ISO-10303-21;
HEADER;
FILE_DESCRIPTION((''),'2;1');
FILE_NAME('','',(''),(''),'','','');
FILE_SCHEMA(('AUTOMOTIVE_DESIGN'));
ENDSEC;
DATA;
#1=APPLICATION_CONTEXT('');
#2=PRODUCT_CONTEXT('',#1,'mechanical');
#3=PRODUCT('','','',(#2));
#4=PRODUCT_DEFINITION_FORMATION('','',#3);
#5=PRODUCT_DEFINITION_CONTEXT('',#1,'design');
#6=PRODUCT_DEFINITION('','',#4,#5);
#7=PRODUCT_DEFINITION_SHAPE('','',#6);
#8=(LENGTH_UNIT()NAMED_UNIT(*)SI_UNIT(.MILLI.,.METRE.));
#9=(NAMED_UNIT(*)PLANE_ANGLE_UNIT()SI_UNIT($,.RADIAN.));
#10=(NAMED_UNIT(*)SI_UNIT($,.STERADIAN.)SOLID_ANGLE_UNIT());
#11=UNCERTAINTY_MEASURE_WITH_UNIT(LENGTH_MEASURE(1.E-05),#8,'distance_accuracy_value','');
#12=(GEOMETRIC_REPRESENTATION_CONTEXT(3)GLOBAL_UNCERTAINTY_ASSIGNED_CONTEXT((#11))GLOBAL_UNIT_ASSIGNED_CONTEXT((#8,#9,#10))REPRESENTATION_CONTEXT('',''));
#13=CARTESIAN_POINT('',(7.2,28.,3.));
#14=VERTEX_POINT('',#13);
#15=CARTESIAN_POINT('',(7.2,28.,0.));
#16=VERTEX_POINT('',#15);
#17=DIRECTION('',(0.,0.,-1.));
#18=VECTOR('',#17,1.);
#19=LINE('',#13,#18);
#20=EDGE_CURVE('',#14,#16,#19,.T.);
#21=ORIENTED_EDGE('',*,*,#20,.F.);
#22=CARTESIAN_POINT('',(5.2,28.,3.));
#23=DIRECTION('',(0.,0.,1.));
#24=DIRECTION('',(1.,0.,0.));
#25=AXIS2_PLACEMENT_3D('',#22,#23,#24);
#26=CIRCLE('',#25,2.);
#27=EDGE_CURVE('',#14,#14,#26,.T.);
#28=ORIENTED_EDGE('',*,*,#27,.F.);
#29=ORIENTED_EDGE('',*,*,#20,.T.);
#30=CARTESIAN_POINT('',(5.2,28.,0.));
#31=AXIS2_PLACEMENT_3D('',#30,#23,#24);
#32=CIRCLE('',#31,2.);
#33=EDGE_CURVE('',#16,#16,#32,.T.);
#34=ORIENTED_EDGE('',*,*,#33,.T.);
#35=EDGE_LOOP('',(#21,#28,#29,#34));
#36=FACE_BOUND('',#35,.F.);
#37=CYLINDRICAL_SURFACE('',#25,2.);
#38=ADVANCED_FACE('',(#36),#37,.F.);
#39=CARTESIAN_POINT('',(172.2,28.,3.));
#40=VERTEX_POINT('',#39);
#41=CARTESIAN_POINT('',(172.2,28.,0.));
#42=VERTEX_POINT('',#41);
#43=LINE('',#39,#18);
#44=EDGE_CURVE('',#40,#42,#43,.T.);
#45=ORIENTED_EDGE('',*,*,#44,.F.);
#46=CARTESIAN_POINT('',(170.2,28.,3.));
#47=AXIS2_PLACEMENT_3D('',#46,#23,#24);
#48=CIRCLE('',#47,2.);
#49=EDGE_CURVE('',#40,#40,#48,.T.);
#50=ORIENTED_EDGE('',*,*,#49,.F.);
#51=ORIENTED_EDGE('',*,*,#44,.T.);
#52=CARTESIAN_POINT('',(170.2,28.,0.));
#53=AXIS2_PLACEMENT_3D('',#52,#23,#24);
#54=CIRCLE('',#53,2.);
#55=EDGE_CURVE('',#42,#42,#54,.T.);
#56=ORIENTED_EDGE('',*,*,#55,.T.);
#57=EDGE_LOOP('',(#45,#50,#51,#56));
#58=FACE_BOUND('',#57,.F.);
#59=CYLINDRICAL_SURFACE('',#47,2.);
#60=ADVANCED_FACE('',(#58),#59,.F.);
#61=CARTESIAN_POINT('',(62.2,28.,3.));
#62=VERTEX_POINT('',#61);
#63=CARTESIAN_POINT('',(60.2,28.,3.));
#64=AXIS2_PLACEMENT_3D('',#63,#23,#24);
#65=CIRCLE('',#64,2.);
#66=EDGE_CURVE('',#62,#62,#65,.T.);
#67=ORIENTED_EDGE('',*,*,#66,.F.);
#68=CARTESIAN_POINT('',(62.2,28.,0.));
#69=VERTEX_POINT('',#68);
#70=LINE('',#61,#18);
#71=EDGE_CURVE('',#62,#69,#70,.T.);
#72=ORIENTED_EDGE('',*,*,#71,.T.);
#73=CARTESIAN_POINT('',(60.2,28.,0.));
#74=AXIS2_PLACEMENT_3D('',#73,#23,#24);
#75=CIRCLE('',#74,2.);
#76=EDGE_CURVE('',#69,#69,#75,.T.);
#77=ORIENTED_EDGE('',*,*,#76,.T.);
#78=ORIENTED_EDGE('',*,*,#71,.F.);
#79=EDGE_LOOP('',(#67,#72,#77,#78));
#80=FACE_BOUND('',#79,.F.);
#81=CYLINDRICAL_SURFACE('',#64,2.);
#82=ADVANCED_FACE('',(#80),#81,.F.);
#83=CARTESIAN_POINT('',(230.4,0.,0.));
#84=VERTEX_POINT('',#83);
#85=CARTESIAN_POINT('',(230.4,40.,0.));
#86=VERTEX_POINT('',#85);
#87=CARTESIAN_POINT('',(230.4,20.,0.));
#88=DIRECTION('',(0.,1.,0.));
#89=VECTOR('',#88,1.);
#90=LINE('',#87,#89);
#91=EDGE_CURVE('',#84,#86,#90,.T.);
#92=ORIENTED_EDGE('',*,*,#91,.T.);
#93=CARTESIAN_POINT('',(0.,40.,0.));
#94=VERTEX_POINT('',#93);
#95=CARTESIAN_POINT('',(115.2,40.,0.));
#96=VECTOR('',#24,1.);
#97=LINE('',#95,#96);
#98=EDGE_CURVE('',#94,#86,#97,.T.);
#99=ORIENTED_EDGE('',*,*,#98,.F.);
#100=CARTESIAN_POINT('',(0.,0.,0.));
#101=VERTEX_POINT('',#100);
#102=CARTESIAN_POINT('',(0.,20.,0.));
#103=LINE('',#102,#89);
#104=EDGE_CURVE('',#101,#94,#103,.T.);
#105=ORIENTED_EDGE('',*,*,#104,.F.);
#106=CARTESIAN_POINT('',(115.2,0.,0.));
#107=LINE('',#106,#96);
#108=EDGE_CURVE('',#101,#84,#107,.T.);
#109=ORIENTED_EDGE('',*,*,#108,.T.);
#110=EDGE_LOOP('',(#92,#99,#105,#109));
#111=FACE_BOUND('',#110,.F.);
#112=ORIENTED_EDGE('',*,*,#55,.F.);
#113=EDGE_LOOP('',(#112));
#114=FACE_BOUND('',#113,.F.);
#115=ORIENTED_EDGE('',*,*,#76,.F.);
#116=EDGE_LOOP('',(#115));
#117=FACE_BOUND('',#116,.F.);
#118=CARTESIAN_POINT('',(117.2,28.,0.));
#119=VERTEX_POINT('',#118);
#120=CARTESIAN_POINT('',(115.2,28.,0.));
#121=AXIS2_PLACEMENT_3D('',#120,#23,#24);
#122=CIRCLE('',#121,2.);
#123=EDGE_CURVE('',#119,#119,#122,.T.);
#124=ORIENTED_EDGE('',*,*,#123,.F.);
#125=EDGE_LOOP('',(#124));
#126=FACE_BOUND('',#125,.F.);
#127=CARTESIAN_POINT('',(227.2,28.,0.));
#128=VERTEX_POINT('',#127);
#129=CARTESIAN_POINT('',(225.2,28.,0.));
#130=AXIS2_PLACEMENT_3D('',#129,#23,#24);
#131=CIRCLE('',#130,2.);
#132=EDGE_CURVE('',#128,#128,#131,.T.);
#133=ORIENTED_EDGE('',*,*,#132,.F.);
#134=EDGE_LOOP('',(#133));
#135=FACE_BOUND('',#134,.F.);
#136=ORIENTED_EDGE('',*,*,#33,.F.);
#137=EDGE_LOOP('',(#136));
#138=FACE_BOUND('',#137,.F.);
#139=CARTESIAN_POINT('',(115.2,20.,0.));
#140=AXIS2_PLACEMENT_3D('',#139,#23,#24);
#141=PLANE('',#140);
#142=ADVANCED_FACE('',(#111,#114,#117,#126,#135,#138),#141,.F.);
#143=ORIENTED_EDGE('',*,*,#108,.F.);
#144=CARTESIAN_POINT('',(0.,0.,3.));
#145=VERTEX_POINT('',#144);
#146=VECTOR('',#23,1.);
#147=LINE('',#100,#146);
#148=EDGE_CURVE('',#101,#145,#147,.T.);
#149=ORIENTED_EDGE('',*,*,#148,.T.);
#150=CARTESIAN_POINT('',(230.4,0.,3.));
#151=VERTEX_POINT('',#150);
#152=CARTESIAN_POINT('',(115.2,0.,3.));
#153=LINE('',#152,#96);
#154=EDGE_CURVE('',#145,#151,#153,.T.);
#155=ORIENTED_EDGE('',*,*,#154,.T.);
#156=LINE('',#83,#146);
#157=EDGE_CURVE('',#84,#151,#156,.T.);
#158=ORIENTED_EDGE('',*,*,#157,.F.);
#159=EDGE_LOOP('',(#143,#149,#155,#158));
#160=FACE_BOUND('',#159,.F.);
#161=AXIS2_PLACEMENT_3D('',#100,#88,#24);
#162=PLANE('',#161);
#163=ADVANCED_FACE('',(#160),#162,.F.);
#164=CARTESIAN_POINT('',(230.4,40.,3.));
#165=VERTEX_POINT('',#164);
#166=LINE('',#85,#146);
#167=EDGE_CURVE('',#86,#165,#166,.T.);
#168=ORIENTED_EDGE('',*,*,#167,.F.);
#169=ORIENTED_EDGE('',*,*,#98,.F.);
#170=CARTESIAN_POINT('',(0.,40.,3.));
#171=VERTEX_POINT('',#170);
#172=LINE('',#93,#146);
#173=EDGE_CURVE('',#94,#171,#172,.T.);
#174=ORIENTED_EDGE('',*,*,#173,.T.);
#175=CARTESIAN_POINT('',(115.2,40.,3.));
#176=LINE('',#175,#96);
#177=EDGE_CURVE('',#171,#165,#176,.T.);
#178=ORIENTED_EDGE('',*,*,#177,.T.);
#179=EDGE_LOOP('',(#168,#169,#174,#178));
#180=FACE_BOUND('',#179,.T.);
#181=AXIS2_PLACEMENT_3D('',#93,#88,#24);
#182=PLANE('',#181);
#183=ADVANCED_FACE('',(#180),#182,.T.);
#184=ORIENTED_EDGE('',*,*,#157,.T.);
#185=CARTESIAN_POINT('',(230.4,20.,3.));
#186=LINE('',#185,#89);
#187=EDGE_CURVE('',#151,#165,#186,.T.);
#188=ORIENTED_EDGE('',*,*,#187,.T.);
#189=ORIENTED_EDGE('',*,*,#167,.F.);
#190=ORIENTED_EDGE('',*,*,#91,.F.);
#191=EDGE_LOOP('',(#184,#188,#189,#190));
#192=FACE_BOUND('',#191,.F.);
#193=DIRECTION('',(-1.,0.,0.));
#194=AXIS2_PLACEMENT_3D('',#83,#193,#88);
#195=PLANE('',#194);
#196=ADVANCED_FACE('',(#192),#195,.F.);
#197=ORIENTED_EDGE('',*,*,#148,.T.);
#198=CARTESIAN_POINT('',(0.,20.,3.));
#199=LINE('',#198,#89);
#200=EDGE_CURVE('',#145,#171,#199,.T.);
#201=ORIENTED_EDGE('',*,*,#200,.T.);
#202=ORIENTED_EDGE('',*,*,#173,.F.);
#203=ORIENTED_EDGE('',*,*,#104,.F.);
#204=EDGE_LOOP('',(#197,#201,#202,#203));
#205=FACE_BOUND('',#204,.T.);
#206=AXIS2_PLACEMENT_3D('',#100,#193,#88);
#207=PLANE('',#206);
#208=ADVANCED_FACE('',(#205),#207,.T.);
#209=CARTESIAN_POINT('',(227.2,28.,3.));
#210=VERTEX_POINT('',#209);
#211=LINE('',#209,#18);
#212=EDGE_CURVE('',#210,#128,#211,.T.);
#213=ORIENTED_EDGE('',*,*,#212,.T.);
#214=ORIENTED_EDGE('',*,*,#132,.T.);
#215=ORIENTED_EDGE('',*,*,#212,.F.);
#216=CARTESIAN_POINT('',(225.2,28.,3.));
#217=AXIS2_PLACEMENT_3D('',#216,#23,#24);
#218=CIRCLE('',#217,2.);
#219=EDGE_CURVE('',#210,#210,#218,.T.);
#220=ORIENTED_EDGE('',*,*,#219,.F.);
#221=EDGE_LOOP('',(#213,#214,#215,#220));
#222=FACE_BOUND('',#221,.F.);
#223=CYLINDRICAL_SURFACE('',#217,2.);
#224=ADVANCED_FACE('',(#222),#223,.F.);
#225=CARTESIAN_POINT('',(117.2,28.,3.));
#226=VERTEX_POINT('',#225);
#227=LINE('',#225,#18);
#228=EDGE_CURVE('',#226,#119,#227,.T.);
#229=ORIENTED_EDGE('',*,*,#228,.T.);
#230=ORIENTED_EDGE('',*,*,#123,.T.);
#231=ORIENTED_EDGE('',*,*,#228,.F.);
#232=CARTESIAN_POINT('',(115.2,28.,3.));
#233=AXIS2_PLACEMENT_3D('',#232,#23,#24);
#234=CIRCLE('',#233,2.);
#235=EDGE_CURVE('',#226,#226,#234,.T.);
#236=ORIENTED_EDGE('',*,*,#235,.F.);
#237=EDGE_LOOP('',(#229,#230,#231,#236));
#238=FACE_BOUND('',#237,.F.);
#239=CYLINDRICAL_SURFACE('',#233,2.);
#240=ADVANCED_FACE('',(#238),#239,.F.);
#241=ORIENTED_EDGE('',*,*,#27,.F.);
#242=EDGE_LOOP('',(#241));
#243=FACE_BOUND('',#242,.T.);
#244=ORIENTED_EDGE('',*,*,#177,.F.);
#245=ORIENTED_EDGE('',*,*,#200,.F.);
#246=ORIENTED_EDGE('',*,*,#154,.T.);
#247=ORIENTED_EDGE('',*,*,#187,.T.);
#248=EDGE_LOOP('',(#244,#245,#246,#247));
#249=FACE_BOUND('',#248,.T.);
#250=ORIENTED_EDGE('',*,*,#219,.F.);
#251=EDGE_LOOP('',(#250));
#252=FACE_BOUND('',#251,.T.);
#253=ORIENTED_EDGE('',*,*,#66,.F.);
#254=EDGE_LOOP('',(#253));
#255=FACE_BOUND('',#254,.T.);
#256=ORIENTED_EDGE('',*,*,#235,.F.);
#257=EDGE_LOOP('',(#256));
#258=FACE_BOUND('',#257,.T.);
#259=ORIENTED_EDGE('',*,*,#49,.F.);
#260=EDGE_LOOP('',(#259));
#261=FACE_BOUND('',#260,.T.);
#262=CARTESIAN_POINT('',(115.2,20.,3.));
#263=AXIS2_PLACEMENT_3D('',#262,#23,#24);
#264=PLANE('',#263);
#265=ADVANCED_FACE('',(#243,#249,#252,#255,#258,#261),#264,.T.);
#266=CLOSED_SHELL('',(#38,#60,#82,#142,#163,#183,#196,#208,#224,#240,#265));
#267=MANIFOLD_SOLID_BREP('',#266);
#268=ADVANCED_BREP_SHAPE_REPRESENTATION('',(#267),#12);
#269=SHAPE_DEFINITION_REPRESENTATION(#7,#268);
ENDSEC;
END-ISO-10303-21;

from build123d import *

# Parameters (mm, degrees)
F0_W     = 230.4
F0_H     = 40
F1_DEPTH = 3
F2_R     = 2
F3_DEPTH = 3.001


with BuildPart() as f1:
    # F0 (on Top) → F1 (new body)
    with BuildSketch(Plane.XY):
        with Locations((115.2, 20)):
            Rectangle(F0_W, F0_H)
    extrude(amount=F1_DEPTH)

    # F2 (on face) → F3 (cut, through all)
    with BuildSketch(Plane.XY.offset(3)):
        with Locations((5.2, 28)):
            Circle(F2_R)
        with Locations((60.2, 28)):
            Circle(F2_R)
        with Locations((115.2, 28)):
            Circle(F2_R)
        with Locations((170.2, 28)):
            Circle(F2_R)
        with Locations((225.2, 28)):
            Circle(F2_R)
    extrude(amount=-F3_DEPTH, mode=Mode.SUBTRACT)


solid = f1.part
